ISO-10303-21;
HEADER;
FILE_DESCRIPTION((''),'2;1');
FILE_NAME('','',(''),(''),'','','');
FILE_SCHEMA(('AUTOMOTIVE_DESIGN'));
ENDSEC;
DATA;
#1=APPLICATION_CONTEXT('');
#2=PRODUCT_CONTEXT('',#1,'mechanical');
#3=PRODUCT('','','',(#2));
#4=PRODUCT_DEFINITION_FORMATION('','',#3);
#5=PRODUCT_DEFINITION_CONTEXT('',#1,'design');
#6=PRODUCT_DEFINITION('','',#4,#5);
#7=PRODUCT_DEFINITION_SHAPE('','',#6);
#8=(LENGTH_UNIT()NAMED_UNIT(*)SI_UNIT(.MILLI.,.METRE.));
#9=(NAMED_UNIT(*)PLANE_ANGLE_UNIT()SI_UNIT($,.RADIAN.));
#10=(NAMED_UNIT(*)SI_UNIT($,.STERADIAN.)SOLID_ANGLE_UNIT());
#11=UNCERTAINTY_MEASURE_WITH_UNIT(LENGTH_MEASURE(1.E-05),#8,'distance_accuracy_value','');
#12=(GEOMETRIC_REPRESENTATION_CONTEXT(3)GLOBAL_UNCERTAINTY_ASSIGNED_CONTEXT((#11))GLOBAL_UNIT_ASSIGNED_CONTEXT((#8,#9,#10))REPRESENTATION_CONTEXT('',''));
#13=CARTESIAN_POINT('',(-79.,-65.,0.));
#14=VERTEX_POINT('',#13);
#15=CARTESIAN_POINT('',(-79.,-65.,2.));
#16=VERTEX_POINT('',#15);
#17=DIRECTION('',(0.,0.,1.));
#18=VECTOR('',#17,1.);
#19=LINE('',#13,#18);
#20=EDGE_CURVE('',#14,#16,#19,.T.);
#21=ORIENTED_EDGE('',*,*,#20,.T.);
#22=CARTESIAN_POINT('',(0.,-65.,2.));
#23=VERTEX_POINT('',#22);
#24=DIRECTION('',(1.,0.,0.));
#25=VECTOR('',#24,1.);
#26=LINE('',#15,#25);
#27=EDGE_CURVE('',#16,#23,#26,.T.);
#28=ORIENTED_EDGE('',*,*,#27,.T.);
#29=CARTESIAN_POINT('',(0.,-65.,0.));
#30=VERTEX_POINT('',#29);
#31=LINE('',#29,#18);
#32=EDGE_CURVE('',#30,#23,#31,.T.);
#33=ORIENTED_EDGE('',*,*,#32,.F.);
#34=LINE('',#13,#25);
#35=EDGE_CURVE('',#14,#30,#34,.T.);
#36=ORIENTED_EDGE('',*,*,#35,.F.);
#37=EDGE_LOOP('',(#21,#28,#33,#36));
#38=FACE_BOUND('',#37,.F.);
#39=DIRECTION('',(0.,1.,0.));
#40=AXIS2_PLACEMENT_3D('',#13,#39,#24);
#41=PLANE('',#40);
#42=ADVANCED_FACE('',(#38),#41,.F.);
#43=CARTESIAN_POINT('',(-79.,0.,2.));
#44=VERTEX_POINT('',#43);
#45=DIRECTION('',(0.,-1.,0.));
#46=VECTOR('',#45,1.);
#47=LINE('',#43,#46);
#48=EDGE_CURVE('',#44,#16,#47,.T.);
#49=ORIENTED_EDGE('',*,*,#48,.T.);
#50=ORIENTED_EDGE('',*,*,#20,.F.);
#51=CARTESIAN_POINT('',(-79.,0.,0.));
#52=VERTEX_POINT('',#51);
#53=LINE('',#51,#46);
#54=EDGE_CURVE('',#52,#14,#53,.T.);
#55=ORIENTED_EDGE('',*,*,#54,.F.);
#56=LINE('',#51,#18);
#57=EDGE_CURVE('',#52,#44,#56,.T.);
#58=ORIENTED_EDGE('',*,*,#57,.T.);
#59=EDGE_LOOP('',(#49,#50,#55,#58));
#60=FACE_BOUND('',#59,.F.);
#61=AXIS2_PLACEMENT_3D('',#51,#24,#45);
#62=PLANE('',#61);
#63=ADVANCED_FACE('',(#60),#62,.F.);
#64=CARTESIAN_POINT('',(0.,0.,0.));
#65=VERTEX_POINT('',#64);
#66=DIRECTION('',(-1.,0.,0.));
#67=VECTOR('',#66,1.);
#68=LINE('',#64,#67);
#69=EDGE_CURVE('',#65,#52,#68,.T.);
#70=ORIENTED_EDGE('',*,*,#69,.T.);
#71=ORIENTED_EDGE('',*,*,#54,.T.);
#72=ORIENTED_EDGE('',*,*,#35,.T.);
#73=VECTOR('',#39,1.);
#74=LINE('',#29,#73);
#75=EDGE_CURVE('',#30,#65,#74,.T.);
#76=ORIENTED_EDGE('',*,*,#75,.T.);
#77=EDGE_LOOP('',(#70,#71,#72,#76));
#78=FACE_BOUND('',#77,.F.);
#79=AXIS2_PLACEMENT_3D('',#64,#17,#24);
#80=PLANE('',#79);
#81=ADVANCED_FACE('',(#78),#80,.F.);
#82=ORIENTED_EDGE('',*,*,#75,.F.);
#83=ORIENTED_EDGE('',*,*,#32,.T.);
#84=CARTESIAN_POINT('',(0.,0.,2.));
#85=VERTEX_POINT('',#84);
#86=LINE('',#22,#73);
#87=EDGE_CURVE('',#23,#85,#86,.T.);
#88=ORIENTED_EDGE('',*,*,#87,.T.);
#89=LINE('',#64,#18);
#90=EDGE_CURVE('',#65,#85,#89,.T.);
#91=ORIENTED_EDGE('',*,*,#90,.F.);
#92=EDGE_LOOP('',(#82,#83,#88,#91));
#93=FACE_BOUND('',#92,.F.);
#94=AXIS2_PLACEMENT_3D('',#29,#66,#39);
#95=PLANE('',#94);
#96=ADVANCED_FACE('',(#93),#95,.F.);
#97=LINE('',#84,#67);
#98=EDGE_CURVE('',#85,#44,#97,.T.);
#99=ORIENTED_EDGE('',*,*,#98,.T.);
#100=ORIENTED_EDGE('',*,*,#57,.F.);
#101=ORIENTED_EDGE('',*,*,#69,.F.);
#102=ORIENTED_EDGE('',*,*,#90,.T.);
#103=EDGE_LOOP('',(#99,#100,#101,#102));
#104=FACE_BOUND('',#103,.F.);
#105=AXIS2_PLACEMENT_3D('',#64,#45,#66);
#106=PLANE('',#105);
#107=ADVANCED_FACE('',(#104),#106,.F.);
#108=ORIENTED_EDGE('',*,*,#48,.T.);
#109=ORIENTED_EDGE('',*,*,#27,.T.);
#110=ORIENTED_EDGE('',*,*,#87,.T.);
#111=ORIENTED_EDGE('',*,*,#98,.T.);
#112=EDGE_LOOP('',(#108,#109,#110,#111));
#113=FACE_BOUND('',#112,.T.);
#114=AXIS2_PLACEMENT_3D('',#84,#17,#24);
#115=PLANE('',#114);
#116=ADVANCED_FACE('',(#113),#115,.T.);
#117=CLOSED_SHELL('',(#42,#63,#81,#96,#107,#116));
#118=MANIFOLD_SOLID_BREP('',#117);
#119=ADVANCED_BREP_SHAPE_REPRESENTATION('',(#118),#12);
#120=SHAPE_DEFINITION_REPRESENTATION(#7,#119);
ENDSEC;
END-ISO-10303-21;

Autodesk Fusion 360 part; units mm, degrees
sketch "Sketch1" plane through (0, 0, 0) normal (0, 0, 1) x (1, 0, 0)
  line L0 (0, 0) -> (-79, 0)
  line L1 (-79, 0) -> (-79, -65)
  line L2 (-79, -65) -> (0, -65)
  line L3 (0, -65) -> (0, 0)
  dimension "d1" = 79
  dimension "d2" = 65
extrude "Extrude1" add sketch "Sketch1" along normal blind 2
